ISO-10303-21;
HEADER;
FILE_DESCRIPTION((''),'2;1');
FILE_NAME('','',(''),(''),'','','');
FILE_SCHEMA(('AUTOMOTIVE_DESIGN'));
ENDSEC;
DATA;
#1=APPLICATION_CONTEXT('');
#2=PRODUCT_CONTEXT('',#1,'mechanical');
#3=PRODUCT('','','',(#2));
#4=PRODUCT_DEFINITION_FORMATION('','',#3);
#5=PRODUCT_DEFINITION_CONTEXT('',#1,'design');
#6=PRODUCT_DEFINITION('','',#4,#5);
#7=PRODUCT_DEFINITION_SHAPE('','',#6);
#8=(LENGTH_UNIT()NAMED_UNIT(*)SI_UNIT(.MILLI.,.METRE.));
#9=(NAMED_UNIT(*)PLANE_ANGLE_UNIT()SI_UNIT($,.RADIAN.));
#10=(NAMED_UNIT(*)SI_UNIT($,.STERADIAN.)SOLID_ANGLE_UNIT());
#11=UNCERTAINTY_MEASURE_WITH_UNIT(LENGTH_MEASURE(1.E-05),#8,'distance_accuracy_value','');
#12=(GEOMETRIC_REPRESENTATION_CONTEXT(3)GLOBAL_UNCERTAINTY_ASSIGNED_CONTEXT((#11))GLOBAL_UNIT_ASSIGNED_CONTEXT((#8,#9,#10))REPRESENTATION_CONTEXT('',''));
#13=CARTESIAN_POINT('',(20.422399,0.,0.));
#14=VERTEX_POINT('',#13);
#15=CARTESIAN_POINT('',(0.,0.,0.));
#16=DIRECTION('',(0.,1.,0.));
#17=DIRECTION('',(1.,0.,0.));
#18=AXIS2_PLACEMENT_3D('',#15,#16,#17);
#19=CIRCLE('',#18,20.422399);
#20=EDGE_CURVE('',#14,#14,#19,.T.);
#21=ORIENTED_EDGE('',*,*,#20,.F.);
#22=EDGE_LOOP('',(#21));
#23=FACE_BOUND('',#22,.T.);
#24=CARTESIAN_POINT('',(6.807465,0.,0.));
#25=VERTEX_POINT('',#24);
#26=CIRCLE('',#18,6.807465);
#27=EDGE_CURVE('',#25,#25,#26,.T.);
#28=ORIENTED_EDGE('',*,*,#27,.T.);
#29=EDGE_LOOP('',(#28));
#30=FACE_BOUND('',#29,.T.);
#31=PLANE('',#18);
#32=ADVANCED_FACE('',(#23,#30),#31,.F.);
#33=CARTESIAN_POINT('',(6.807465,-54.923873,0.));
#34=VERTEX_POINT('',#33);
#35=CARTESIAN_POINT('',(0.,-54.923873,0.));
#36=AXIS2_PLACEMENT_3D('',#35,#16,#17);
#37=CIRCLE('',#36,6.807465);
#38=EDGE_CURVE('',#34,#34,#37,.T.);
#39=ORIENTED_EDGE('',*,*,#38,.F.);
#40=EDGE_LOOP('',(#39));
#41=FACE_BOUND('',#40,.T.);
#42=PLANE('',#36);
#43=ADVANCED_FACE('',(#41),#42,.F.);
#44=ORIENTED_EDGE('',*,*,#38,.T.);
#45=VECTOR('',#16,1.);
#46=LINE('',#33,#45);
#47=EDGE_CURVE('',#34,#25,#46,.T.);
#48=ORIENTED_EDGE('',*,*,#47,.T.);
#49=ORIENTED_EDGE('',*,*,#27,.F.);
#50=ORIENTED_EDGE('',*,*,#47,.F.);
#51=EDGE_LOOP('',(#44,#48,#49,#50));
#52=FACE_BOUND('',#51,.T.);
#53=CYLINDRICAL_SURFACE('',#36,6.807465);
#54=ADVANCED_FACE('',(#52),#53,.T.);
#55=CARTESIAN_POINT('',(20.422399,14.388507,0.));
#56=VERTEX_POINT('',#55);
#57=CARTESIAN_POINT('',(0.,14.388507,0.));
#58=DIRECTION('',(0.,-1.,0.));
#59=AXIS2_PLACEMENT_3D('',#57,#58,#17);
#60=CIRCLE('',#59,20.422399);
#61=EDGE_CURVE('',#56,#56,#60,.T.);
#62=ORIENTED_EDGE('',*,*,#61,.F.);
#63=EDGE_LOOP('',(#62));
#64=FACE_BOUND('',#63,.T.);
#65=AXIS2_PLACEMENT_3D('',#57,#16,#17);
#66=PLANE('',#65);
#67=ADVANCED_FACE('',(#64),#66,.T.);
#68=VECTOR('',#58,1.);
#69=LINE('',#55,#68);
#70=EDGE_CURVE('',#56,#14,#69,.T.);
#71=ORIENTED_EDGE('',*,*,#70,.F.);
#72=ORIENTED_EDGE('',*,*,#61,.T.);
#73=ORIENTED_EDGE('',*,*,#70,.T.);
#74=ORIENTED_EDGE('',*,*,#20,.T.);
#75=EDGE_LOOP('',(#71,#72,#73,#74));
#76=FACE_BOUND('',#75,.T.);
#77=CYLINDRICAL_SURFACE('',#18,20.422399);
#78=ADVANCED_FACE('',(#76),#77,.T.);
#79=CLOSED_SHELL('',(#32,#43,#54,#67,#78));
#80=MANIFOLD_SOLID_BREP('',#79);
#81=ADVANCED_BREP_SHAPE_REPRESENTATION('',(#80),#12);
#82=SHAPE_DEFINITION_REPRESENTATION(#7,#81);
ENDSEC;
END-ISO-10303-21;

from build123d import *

# Parameters (mm, degrees)
F1_FACE_R = 20.422399044
F3_DEPTH  = 10


with BuildPart() as f1:
    # F0 (on Top) → F1 (revolve)
    with BuildSketch(Plane.XY):
        Polygon((20.422399044, 14.3885072321), (0, 14.3885072321), (0, -54.9238733947), (6.8074651062, -54.9238733947), (6.8074651062, 0), (20.422399044, 0), align=None)
    revolve(axis=Axis((0, -20.2676830813, 0), (0, 1, 0)))

    # F2 (on Front) + F1_face (on face) → F3 (join)
    with BuildSketch(Plane.XZ):
        Polygon((5.5759802661, -0.1642436698), (2.9302293235, 4.7468187265), (-2.6457509426, 4.9110623963), (-5.5759802661, 0.1642436698), (-2.9302293235, -4.7468187265), (2.6457509426, -4.9110623963), align=None)
    with BuildSketch(Plane(origin=(0, 14.3885072321, 0), x_dir=(-1, 0, 0), z_dir=(0, 1, 0))):
        Circle(F1_FACE_R)
    extrude(amount=F3_DEPTH, dir=(0, -1, 0))


solid = f1.part
